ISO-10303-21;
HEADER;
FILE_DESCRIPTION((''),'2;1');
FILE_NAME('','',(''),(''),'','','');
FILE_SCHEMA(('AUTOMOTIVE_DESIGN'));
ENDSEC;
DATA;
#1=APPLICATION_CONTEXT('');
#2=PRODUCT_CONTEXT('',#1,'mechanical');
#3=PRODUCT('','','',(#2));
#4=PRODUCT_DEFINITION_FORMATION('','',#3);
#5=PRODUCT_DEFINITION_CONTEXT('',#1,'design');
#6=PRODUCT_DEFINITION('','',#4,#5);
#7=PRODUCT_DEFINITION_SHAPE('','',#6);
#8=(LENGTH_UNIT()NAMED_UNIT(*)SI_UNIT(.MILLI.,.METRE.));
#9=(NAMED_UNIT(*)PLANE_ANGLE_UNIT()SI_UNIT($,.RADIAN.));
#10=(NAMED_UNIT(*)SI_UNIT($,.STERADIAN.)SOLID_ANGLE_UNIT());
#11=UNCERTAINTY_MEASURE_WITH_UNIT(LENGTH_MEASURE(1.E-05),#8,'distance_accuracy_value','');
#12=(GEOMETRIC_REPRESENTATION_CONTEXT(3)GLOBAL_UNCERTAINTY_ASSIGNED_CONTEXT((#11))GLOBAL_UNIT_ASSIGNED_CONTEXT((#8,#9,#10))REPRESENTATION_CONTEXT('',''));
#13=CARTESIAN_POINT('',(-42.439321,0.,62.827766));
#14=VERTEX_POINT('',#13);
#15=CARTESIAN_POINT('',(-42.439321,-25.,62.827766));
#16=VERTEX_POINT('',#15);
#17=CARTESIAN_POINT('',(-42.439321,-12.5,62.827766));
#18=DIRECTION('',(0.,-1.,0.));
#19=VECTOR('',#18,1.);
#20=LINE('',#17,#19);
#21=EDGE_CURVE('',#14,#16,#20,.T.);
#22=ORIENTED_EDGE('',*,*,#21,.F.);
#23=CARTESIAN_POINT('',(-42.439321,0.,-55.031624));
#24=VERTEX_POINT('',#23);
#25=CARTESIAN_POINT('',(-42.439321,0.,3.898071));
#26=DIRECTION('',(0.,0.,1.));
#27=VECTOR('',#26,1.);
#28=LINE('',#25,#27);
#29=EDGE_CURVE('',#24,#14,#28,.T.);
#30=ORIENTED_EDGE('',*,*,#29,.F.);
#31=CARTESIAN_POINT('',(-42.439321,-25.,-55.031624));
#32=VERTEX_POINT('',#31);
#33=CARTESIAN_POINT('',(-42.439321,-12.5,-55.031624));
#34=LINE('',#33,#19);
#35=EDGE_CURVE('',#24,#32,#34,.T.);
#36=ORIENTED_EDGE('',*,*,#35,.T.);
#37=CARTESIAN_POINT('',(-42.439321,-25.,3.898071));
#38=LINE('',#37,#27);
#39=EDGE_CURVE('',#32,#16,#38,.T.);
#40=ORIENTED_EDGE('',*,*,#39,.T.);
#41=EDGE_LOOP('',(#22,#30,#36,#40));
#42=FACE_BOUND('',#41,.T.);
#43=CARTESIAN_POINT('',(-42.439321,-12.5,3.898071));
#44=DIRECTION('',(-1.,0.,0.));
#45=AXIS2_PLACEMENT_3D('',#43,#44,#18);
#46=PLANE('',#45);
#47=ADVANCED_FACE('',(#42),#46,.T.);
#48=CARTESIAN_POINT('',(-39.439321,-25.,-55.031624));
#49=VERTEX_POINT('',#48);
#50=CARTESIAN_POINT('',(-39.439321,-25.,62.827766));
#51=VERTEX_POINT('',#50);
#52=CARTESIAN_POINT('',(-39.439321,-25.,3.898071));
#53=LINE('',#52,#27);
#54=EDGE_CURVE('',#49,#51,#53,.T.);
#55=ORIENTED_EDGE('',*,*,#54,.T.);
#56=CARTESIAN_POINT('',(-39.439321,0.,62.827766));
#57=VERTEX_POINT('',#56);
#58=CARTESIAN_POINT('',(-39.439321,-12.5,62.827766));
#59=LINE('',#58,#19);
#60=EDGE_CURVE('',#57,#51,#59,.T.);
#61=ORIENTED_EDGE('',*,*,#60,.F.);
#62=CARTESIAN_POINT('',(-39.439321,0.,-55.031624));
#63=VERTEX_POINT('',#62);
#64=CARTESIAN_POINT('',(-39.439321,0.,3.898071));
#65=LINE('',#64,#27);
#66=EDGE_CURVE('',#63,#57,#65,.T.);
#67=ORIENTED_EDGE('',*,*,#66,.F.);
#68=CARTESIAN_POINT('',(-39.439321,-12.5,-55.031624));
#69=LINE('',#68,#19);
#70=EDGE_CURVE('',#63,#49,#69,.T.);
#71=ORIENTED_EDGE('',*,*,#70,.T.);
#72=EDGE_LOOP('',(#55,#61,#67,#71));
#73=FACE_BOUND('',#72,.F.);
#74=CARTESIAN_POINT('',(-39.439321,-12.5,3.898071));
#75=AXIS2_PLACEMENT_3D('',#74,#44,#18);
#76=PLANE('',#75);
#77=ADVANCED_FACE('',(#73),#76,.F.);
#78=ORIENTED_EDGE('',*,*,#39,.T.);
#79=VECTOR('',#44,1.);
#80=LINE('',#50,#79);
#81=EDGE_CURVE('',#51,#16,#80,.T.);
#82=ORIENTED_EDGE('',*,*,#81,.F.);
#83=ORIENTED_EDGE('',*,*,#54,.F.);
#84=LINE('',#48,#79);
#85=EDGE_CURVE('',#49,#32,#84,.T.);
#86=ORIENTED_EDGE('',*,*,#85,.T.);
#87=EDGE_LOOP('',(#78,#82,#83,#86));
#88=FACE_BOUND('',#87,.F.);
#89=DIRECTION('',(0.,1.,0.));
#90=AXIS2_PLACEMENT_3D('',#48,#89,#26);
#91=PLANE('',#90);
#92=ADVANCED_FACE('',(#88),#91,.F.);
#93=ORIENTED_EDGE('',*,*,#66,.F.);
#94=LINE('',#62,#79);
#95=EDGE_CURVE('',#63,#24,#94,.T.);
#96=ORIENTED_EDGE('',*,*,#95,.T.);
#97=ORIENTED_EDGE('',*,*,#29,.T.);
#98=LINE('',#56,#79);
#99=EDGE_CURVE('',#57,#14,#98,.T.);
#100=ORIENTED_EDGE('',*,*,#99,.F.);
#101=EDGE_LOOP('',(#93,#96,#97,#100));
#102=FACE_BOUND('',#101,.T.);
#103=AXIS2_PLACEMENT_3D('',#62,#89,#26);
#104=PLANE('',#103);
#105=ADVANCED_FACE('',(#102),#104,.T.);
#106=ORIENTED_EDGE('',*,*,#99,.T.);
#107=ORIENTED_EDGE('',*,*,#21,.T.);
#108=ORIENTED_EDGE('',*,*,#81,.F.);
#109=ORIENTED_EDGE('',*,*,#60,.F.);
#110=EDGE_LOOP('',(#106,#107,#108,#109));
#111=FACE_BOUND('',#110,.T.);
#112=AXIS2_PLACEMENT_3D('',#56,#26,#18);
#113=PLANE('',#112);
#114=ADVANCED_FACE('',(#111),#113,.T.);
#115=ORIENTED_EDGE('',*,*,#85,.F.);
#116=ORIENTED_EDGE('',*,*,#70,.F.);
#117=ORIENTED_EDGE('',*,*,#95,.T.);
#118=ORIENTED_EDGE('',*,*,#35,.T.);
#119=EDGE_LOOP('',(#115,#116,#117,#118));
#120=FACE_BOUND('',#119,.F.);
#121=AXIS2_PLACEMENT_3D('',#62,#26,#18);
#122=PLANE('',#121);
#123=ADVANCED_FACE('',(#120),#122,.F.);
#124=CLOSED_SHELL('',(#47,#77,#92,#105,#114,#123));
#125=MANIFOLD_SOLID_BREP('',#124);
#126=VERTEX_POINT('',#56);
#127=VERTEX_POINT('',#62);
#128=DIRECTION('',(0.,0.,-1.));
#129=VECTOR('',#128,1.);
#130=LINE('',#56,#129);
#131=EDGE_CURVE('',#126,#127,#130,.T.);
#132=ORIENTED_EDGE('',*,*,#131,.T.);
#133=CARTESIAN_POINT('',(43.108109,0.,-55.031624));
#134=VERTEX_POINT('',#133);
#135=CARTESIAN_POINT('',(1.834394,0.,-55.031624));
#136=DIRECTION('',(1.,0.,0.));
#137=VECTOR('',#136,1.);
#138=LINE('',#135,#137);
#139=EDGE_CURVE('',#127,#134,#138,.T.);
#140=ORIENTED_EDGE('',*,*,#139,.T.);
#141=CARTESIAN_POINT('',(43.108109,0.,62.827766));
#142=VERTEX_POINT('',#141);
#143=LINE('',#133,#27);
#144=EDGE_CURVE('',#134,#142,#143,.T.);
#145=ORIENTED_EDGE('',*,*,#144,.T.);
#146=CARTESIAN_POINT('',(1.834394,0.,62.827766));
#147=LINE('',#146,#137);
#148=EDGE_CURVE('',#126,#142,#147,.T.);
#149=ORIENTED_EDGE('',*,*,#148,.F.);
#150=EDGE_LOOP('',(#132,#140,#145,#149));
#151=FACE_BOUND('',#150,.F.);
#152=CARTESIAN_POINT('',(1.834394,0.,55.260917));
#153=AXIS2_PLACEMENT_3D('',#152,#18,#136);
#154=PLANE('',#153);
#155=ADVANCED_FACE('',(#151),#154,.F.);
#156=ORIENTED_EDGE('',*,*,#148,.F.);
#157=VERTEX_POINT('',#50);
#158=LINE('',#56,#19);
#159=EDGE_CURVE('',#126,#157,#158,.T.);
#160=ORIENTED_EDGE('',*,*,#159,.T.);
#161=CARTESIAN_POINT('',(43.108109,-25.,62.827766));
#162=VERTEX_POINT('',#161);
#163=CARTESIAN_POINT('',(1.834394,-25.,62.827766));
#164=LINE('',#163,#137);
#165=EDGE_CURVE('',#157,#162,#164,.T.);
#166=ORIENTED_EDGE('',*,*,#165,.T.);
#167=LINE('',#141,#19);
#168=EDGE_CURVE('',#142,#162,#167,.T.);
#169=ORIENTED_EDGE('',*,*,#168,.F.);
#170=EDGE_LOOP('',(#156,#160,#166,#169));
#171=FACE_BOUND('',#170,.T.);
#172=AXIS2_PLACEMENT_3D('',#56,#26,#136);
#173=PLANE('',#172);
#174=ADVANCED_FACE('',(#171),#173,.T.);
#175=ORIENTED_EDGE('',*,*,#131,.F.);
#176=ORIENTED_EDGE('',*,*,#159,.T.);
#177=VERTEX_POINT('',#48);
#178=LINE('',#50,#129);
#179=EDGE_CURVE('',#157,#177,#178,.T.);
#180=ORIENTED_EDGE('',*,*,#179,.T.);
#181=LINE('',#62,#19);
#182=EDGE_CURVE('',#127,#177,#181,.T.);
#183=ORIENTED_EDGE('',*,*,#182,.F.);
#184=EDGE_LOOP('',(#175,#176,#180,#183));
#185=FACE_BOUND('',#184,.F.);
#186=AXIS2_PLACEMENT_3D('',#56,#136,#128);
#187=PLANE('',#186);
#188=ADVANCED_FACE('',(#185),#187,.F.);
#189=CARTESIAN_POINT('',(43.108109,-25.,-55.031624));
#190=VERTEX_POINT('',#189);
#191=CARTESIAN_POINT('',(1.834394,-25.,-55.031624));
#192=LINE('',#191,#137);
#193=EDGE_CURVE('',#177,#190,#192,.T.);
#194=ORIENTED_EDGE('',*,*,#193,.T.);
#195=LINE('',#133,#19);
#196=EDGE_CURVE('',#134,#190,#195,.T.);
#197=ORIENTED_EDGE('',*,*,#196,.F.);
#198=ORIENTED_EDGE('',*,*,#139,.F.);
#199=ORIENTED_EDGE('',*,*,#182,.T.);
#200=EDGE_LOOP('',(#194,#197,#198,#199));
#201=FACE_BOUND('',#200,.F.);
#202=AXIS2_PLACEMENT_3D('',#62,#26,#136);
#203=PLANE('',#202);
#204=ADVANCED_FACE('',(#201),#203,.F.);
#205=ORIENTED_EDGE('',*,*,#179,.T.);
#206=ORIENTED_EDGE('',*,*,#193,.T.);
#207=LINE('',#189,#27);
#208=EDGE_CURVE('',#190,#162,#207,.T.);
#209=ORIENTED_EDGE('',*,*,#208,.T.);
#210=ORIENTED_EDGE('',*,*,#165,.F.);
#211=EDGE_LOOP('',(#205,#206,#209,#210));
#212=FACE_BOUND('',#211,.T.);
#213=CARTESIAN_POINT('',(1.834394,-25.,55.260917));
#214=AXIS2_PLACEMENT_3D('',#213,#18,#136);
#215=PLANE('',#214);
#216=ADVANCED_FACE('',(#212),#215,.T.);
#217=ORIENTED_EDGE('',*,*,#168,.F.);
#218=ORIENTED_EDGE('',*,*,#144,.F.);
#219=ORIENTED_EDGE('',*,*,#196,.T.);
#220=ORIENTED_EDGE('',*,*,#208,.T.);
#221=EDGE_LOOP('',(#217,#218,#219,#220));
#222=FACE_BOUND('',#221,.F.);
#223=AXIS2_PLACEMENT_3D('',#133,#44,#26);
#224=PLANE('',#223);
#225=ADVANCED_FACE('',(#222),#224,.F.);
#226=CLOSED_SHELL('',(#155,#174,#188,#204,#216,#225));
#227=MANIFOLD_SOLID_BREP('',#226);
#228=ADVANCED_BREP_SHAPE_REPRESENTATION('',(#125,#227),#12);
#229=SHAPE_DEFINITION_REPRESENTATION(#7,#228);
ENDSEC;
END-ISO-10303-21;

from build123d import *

# Parameters (mm, degrees)
F0_W      = 82.54743
F0_H      = 15.133698
F0_H_2    = 102.725692
F1_DEPTH  = 25
F1_FACE_W = 25
F1_FACE_H = 117.85939
F2_DEPTH  = 3


with BuildPart() as f1:
    # F0 (on Front) → F1 (new body)
    with BuildSketch(Plane.XZ):
        with Locations((1.834394, 55.260917)):
            Rectangle(F0_W, F0_H)
        with Locations((1.834394, -3.668778)):
            Rectangle(F0_W, F0_H_2)
    extrude(amount=F1_DEPTH)


with BuildPart() as f2:
    # F1_face (on face) → F2 (new body)
    with BuildSketch(Plane(origin=(-39.439321, -12.5, 3.898071), x_dir=(0, -1, 0), z_dir=(-1, 0, 0))):
        Rectangle(F1_FACE_W, F1_FACE_H)
    extrude(amount=F2_DEPTH)


solid = Compound([f1.part, f2.part])
